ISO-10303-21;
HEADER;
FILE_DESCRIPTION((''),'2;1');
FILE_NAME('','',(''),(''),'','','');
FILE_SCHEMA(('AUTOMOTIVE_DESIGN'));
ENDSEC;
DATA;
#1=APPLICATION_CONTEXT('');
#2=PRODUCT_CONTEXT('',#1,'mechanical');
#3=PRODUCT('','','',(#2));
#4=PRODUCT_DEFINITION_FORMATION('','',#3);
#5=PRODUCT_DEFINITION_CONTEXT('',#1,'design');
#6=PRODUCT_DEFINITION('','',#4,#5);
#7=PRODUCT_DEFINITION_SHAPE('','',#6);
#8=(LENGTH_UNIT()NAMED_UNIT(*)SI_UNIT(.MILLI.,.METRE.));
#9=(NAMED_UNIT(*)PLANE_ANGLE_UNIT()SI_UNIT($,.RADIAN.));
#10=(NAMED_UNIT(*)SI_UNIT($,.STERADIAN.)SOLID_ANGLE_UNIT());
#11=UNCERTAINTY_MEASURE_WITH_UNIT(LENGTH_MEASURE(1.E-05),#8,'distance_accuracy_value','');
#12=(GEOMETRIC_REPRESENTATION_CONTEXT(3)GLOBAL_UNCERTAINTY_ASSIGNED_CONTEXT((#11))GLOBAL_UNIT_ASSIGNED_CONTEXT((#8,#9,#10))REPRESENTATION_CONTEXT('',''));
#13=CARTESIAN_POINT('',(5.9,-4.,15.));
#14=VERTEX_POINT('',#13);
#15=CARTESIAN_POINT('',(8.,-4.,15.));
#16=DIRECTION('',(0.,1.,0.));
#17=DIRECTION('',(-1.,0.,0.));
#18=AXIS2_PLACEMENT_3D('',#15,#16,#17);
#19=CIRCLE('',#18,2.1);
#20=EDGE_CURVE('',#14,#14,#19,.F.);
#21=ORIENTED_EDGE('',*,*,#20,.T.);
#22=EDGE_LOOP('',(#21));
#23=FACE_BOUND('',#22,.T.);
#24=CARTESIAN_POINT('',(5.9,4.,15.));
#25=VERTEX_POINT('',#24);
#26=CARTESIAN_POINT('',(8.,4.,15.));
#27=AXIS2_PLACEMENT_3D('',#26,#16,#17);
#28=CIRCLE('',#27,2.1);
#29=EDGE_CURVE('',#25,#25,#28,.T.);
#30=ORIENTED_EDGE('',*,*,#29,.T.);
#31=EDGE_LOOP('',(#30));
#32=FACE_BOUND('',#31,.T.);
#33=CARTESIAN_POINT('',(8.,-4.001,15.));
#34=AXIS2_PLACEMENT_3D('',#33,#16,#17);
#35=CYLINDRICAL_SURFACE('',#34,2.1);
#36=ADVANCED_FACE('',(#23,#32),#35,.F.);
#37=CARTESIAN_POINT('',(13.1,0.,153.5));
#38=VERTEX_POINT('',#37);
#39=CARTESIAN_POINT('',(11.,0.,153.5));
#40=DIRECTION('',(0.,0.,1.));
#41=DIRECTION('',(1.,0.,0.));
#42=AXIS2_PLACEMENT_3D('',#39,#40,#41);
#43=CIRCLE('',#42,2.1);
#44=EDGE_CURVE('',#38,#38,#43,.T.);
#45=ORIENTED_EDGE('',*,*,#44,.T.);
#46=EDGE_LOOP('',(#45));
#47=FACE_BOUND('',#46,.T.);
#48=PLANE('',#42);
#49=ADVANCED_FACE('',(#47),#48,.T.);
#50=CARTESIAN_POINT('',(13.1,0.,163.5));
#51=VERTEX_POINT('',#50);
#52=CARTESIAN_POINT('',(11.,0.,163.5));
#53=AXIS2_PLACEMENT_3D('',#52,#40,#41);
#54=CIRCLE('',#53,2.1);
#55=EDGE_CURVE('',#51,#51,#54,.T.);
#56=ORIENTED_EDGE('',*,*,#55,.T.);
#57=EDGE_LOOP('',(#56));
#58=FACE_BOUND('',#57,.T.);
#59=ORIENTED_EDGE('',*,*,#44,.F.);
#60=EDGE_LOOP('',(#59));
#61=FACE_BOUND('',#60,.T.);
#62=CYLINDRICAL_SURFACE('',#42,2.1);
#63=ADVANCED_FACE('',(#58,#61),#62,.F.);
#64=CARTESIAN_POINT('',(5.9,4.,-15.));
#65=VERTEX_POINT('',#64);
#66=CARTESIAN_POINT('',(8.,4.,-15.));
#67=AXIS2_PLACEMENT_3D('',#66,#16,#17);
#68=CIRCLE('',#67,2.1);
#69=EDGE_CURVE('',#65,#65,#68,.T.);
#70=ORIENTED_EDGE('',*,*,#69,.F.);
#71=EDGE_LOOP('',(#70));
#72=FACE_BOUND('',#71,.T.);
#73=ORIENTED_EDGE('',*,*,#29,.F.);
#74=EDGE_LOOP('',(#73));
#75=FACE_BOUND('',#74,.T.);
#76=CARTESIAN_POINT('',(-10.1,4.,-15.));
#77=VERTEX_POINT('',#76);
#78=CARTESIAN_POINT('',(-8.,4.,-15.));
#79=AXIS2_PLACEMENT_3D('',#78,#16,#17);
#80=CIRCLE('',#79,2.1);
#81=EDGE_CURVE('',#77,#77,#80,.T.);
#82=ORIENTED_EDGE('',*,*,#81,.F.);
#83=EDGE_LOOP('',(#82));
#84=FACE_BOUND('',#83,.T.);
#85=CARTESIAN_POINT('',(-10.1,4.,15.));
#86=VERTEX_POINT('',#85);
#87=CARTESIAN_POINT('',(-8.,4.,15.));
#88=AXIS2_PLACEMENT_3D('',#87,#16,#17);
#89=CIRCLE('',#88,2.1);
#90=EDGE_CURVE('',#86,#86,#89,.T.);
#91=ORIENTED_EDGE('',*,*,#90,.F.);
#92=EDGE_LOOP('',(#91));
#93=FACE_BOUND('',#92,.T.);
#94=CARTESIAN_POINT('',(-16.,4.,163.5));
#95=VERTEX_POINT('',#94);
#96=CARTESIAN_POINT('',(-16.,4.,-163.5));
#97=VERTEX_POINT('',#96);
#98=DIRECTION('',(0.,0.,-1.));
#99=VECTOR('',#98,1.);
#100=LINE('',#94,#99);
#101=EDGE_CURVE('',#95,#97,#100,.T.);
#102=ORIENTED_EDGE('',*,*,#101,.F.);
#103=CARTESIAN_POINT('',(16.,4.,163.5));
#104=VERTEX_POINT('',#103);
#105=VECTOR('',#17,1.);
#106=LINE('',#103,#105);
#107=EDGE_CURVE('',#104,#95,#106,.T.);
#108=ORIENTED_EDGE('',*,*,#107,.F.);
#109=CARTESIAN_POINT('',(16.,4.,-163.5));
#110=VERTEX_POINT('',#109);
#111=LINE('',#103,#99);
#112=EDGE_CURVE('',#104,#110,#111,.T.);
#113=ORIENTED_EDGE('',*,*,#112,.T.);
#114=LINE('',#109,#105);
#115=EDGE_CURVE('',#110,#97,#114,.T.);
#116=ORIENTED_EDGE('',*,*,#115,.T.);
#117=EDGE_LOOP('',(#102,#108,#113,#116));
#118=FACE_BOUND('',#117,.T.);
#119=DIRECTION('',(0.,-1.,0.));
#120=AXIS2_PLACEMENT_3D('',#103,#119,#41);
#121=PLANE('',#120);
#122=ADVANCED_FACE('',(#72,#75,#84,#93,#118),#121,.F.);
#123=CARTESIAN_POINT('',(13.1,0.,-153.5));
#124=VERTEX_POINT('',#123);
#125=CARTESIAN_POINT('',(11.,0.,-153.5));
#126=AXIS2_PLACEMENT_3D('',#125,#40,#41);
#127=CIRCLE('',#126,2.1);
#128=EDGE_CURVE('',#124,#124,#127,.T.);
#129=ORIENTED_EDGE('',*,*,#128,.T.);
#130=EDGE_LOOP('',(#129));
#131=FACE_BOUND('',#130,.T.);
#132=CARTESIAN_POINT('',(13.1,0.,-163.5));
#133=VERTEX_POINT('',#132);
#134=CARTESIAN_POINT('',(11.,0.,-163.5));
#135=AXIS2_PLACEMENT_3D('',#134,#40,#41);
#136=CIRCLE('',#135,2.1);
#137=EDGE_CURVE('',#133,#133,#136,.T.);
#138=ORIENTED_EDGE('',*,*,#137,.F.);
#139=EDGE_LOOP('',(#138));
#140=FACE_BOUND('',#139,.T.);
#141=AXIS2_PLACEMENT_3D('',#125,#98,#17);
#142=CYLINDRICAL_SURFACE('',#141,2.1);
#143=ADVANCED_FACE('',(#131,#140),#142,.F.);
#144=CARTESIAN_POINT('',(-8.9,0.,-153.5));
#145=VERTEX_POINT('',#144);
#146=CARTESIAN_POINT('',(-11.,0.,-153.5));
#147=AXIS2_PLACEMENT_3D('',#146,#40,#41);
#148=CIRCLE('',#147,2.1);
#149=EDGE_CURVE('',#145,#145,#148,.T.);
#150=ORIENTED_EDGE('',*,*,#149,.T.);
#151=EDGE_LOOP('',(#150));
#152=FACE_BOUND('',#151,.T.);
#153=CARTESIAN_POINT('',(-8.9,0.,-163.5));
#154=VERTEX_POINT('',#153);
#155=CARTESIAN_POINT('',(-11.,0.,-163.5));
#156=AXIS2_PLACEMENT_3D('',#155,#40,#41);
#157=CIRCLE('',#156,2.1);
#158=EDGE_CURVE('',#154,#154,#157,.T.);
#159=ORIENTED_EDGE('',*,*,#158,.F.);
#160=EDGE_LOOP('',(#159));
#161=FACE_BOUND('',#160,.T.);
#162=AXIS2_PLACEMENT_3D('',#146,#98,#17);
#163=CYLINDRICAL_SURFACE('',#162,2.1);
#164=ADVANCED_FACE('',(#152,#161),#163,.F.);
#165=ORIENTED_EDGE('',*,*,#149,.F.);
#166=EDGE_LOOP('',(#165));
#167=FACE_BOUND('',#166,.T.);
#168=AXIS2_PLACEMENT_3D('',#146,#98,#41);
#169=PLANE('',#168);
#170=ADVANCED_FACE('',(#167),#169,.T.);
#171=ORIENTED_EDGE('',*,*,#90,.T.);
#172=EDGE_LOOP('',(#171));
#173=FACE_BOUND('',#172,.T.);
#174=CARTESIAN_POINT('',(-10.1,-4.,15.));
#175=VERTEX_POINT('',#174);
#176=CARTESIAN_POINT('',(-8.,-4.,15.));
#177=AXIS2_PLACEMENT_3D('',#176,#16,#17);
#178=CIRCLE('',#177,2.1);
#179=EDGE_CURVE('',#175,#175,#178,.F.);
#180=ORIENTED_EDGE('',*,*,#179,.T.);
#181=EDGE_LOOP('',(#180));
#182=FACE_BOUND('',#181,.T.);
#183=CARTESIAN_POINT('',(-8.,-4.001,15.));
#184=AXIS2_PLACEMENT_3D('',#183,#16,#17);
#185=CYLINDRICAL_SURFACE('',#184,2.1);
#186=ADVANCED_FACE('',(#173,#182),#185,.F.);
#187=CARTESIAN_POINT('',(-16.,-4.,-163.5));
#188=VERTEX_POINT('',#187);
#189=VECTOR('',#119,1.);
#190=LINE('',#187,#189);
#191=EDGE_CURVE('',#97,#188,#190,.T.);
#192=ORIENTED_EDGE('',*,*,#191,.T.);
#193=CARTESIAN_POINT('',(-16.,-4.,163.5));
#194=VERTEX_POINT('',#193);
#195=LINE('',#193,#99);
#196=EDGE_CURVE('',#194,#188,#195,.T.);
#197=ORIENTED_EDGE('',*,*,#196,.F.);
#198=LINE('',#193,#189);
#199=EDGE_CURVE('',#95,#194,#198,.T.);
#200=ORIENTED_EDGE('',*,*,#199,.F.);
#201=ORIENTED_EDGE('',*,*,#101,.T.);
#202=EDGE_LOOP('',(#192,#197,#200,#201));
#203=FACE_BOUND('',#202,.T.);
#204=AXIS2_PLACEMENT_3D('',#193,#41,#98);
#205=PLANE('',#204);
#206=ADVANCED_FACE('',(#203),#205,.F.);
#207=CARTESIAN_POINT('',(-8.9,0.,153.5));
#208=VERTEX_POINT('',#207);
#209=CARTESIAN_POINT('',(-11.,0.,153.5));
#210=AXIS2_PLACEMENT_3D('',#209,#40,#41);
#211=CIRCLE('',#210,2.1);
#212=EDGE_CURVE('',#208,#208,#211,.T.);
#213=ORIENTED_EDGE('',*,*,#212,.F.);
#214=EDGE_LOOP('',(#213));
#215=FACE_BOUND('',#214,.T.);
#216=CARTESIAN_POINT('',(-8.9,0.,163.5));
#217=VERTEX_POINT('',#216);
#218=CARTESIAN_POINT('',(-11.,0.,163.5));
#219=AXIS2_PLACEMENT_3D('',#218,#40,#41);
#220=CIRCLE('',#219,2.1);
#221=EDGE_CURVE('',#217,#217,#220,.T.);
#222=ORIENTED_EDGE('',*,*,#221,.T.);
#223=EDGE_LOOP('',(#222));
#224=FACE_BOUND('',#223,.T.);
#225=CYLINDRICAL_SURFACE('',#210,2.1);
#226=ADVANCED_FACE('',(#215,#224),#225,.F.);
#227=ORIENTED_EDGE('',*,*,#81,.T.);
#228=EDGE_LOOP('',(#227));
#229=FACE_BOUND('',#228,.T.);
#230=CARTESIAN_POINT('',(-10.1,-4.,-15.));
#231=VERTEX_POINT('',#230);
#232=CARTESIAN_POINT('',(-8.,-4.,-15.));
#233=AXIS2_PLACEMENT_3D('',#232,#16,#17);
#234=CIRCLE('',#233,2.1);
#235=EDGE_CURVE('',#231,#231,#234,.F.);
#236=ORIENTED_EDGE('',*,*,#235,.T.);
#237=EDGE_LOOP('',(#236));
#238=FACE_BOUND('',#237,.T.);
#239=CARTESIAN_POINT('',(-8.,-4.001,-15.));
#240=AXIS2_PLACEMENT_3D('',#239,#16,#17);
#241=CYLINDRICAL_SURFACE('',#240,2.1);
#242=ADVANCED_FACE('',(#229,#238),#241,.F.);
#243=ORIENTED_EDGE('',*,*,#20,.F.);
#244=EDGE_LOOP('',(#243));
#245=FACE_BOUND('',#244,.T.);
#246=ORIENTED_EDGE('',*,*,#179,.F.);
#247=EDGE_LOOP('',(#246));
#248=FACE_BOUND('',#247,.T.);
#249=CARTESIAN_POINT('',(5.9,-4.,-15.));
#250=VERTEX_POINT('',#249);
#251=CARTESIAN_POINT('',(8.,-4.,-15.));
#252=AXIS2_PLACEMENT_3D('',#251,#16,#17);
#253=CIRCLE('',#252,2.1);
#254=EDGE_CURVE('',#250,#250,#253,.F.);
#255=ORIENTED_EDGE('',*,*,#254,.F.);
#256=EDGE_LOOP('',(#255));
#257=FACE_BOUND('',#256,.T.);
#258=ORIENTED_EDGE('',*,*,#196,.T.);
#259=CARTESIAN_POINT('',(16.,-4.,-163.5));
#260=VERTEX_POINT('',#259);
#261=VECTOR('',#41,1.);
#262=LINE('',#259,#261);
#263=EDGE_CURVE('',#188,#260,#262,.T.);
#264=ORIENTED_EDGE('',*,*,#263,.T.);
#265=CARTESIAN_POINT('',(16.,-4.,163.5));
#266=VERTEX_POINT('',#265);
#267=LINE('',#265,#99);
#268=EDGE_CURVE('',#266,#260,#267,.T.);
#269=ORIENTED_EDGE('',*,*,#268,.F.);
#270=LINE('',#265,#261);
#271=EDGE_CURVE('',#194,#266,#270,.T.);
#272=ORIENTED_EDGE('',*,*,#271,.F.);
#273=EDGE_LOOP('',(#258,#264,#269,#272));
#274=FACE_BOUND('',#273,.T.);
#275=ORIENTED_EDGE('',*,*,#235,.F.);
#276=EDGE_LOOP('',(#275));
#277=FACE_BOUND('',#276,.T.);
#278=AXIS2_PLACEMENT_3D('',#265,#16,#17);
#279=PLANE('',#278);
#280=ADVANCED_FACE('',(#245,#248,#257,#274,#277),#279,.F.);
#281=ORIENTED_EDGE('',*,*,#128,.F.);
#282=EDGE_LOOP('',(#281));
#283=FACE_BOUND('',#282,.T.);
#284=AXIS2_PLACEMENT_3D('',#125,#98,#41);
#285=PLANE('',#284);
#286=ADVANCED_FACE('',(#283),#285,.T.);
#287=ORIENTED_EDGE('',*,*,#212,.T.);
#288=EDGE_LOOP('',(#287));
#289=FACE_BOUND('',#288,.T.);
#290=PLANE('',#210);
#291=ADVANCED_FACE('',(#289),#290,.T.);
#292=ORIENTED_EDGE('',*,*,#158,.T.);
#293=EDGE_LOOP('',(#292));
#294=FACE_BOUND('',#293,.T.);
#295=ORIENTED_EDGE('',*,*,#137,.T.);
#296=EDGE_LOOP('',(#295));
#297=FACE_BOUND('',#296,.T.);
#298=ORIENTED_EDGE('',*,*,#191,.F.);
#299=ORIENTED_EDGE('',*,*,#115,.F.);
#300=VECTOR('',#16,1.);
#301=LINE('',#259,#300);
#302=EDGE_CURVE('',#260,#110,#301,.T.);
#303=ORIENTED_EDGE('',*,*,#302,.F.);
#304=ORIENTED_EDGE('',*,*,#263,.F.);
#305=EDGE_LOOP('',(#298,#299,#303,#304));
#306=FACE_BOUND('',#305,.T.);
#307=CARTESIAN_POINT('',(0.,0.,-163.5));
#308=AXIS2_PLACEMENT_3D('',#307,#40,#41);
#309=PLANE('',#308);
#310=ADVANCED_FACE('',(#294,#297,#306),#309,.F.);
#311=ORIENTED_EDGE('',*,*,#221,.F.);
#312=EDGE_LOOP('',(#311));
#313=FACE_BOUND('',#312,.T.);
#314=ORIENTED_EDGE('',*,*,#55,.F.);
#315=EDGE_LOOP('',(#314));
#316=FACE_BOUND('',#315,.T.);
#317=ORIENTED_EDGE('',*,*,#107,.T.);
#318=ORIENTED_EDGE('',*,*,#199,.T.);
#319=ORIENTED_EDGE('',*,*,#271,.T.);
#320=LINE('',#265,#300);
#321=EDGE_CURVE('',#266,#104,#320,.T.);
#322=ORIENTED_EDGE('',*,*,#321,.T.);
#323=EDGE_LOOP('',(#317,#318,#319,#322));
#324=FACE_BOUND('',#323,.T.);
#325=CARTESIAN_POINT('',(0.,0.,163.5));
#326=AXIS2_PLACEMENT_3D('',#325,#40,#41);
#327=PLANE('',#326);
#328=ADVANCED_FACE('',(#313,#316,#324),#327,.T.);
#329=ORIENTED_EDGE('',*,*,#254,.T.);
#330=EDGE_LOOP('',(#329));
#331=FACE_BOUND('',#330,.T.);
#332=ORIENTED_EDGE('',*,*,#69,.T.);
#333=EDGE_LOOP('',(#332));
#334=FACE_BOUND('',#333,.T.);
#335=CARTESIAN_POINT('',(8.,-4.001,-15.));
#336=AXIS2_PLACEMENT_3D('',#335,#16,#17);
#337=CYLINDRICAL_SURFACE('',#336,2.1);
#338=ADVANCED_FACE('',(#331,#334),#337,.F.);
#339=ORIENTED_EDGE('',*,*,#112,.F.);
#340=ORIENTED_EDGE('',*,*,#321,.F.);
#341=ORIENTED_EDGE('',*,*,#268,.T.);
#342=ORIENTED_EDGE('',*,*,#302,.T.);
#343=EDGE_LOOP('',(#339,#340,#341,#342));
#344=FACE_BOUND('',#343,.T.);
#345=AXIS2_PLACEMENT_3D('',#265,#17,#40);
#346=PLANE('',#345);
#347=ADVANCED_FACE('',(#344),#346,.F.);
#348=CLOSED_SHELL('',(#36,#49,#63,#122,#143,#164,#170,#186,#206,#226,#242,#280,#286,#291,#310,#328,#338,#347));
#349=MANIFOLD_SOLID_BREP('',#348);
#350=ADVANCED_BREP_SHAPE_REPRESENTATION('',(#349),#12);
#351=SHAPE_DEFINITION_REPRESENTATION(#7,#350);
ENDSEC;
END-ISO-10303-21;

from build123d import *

# Parameters (mm, degrees)
SKETCH1_W           = 32
SKETCH1_H           = 8
BOSS_EXTRUDE1_DEPTH = 163.5
SKETCH2_R           = 2.1
CUT_EXTRUDE1_DEPTH  = 10
CUT_EXTRUDE2_REACH  = 10
SKETCH3_R           = 2.1


with BuildPart() as part:
    # Sketch1 → Boss-Extrude1 (new body, symmetric)
    with BuildSketch(Plane.XY):
        Rectangle(SKETCH1_W, SKETCH1_H)
    extrude(amount=BOSS_EXTRUDE1_DEPTH, both=True)

    # Sketch2 → Cut-Extrude1 (cut)
    with BuildSketch(Plane.XY.offset(163.5)):
        with Locations((11, 0)):
            Circle(SKETCH2_R)
        with Locations((-11, 0)):
            Circle(SKETCH2_R)
    cut_extrude1 = extrude(amount=-CUT_EXTRUDE1_DEPTH, mode=Mode.SUBTRACT)

    # Mirror1: Cut-Extrude1 across plane
    add(cut_extrude1.mirror(Plane.XY), mode=Mode.SUBTRACT)

    # Sketch3 → Cut-Extrude2 (cut, up to next)
    with BuildSketch(Plane(origin=(0, 4, 0), x_dir=(1, 0, 0), z_dir=(0, 1, 0)), mode=Mode.PRIVATE) as cut_extrude2_sk1:
        with Locations((-8, -15)):
            Circle(SKETCH3_R)
    cut_extrude2_tool1 = extrude(cut_extrude2_sk1.sketch, amount=-CUT_EXTRUDE2_REACH, mode=Mode.PRIVATE) & part.part
    add(cut_extrude2_tool1.solids().sort_by_distance((-8, 4, 15))[0], mode=Mode.SUBTRACT)
    # Sketch3 → Cut-Extrude2 (cut, up to next)
    with BuildSketch(Plane(origin=(0, 4, 0), x_dir=(1, 0, 0), z_dir=(0, 1, 0)), mode=Mode.PRIVATE) as cut_extrude2_sk2:
        with Locations((-8, 15)):
            Circle(SKETCH3_R)
    cut_extrude2_tool2 = extrude(cut_extrude2_sk2.sketch, amount=-CUT_EXTRUDE2_REACH, mode=Mode.PRIVATE) & part.part
    add(cut_extrude2_tool2.solids().sort_by_distance((-8, 4, -15))[0], mode=Mode.SUBTRACT)
    # Sketch3 → Cut-Extrude2 (cut, up to next)
    with BuildSketch(Plane(origin=(0, 4, 0), x_dir=(1, 0, 0), z_dir=(0, 1, 0)), mode=Mode.PRIVATE) as cut_extrude2_sk3:
        with Locations((8, -15)):
            Circle(SKETCH3_R)
    cut_extrude2_tool3 = extrude(cut_extrude2_sk3.sketch, amount=-CUT_EXTRUDE2_REACH, mode=Mode.PRIVATE) & part.part
    add(cut_extrude2_tool3.solids().sort_by_distance((8, 4, 15))[0], mode=Mode.SUBTRACT)
    # Sketch3 → Cut-Extrude2 (cut, up to next)
    with BuildSketch(Plane(origin=(0, 4, 0), x_dir=(1, 0, 0), z_dir=(0, 1, 0)), mode=Mode.PRIVATE) as cut_extrude2_sk4:
        with Locations((8, 15)):
            Circle(SKETCH3_R)
    cut_extrude2_tool4 = extrude(cut_extrude2_sk4.sketch, amount=-CUT_EXTRUDE2_REACH, mode=Mode.PRIVATE) & part.part
    add(cut_extrude2_tool4.solids().sort_by_distance((8, 4, -15))[0], mode=Mode.SUBTRACT)


solid = part.part
